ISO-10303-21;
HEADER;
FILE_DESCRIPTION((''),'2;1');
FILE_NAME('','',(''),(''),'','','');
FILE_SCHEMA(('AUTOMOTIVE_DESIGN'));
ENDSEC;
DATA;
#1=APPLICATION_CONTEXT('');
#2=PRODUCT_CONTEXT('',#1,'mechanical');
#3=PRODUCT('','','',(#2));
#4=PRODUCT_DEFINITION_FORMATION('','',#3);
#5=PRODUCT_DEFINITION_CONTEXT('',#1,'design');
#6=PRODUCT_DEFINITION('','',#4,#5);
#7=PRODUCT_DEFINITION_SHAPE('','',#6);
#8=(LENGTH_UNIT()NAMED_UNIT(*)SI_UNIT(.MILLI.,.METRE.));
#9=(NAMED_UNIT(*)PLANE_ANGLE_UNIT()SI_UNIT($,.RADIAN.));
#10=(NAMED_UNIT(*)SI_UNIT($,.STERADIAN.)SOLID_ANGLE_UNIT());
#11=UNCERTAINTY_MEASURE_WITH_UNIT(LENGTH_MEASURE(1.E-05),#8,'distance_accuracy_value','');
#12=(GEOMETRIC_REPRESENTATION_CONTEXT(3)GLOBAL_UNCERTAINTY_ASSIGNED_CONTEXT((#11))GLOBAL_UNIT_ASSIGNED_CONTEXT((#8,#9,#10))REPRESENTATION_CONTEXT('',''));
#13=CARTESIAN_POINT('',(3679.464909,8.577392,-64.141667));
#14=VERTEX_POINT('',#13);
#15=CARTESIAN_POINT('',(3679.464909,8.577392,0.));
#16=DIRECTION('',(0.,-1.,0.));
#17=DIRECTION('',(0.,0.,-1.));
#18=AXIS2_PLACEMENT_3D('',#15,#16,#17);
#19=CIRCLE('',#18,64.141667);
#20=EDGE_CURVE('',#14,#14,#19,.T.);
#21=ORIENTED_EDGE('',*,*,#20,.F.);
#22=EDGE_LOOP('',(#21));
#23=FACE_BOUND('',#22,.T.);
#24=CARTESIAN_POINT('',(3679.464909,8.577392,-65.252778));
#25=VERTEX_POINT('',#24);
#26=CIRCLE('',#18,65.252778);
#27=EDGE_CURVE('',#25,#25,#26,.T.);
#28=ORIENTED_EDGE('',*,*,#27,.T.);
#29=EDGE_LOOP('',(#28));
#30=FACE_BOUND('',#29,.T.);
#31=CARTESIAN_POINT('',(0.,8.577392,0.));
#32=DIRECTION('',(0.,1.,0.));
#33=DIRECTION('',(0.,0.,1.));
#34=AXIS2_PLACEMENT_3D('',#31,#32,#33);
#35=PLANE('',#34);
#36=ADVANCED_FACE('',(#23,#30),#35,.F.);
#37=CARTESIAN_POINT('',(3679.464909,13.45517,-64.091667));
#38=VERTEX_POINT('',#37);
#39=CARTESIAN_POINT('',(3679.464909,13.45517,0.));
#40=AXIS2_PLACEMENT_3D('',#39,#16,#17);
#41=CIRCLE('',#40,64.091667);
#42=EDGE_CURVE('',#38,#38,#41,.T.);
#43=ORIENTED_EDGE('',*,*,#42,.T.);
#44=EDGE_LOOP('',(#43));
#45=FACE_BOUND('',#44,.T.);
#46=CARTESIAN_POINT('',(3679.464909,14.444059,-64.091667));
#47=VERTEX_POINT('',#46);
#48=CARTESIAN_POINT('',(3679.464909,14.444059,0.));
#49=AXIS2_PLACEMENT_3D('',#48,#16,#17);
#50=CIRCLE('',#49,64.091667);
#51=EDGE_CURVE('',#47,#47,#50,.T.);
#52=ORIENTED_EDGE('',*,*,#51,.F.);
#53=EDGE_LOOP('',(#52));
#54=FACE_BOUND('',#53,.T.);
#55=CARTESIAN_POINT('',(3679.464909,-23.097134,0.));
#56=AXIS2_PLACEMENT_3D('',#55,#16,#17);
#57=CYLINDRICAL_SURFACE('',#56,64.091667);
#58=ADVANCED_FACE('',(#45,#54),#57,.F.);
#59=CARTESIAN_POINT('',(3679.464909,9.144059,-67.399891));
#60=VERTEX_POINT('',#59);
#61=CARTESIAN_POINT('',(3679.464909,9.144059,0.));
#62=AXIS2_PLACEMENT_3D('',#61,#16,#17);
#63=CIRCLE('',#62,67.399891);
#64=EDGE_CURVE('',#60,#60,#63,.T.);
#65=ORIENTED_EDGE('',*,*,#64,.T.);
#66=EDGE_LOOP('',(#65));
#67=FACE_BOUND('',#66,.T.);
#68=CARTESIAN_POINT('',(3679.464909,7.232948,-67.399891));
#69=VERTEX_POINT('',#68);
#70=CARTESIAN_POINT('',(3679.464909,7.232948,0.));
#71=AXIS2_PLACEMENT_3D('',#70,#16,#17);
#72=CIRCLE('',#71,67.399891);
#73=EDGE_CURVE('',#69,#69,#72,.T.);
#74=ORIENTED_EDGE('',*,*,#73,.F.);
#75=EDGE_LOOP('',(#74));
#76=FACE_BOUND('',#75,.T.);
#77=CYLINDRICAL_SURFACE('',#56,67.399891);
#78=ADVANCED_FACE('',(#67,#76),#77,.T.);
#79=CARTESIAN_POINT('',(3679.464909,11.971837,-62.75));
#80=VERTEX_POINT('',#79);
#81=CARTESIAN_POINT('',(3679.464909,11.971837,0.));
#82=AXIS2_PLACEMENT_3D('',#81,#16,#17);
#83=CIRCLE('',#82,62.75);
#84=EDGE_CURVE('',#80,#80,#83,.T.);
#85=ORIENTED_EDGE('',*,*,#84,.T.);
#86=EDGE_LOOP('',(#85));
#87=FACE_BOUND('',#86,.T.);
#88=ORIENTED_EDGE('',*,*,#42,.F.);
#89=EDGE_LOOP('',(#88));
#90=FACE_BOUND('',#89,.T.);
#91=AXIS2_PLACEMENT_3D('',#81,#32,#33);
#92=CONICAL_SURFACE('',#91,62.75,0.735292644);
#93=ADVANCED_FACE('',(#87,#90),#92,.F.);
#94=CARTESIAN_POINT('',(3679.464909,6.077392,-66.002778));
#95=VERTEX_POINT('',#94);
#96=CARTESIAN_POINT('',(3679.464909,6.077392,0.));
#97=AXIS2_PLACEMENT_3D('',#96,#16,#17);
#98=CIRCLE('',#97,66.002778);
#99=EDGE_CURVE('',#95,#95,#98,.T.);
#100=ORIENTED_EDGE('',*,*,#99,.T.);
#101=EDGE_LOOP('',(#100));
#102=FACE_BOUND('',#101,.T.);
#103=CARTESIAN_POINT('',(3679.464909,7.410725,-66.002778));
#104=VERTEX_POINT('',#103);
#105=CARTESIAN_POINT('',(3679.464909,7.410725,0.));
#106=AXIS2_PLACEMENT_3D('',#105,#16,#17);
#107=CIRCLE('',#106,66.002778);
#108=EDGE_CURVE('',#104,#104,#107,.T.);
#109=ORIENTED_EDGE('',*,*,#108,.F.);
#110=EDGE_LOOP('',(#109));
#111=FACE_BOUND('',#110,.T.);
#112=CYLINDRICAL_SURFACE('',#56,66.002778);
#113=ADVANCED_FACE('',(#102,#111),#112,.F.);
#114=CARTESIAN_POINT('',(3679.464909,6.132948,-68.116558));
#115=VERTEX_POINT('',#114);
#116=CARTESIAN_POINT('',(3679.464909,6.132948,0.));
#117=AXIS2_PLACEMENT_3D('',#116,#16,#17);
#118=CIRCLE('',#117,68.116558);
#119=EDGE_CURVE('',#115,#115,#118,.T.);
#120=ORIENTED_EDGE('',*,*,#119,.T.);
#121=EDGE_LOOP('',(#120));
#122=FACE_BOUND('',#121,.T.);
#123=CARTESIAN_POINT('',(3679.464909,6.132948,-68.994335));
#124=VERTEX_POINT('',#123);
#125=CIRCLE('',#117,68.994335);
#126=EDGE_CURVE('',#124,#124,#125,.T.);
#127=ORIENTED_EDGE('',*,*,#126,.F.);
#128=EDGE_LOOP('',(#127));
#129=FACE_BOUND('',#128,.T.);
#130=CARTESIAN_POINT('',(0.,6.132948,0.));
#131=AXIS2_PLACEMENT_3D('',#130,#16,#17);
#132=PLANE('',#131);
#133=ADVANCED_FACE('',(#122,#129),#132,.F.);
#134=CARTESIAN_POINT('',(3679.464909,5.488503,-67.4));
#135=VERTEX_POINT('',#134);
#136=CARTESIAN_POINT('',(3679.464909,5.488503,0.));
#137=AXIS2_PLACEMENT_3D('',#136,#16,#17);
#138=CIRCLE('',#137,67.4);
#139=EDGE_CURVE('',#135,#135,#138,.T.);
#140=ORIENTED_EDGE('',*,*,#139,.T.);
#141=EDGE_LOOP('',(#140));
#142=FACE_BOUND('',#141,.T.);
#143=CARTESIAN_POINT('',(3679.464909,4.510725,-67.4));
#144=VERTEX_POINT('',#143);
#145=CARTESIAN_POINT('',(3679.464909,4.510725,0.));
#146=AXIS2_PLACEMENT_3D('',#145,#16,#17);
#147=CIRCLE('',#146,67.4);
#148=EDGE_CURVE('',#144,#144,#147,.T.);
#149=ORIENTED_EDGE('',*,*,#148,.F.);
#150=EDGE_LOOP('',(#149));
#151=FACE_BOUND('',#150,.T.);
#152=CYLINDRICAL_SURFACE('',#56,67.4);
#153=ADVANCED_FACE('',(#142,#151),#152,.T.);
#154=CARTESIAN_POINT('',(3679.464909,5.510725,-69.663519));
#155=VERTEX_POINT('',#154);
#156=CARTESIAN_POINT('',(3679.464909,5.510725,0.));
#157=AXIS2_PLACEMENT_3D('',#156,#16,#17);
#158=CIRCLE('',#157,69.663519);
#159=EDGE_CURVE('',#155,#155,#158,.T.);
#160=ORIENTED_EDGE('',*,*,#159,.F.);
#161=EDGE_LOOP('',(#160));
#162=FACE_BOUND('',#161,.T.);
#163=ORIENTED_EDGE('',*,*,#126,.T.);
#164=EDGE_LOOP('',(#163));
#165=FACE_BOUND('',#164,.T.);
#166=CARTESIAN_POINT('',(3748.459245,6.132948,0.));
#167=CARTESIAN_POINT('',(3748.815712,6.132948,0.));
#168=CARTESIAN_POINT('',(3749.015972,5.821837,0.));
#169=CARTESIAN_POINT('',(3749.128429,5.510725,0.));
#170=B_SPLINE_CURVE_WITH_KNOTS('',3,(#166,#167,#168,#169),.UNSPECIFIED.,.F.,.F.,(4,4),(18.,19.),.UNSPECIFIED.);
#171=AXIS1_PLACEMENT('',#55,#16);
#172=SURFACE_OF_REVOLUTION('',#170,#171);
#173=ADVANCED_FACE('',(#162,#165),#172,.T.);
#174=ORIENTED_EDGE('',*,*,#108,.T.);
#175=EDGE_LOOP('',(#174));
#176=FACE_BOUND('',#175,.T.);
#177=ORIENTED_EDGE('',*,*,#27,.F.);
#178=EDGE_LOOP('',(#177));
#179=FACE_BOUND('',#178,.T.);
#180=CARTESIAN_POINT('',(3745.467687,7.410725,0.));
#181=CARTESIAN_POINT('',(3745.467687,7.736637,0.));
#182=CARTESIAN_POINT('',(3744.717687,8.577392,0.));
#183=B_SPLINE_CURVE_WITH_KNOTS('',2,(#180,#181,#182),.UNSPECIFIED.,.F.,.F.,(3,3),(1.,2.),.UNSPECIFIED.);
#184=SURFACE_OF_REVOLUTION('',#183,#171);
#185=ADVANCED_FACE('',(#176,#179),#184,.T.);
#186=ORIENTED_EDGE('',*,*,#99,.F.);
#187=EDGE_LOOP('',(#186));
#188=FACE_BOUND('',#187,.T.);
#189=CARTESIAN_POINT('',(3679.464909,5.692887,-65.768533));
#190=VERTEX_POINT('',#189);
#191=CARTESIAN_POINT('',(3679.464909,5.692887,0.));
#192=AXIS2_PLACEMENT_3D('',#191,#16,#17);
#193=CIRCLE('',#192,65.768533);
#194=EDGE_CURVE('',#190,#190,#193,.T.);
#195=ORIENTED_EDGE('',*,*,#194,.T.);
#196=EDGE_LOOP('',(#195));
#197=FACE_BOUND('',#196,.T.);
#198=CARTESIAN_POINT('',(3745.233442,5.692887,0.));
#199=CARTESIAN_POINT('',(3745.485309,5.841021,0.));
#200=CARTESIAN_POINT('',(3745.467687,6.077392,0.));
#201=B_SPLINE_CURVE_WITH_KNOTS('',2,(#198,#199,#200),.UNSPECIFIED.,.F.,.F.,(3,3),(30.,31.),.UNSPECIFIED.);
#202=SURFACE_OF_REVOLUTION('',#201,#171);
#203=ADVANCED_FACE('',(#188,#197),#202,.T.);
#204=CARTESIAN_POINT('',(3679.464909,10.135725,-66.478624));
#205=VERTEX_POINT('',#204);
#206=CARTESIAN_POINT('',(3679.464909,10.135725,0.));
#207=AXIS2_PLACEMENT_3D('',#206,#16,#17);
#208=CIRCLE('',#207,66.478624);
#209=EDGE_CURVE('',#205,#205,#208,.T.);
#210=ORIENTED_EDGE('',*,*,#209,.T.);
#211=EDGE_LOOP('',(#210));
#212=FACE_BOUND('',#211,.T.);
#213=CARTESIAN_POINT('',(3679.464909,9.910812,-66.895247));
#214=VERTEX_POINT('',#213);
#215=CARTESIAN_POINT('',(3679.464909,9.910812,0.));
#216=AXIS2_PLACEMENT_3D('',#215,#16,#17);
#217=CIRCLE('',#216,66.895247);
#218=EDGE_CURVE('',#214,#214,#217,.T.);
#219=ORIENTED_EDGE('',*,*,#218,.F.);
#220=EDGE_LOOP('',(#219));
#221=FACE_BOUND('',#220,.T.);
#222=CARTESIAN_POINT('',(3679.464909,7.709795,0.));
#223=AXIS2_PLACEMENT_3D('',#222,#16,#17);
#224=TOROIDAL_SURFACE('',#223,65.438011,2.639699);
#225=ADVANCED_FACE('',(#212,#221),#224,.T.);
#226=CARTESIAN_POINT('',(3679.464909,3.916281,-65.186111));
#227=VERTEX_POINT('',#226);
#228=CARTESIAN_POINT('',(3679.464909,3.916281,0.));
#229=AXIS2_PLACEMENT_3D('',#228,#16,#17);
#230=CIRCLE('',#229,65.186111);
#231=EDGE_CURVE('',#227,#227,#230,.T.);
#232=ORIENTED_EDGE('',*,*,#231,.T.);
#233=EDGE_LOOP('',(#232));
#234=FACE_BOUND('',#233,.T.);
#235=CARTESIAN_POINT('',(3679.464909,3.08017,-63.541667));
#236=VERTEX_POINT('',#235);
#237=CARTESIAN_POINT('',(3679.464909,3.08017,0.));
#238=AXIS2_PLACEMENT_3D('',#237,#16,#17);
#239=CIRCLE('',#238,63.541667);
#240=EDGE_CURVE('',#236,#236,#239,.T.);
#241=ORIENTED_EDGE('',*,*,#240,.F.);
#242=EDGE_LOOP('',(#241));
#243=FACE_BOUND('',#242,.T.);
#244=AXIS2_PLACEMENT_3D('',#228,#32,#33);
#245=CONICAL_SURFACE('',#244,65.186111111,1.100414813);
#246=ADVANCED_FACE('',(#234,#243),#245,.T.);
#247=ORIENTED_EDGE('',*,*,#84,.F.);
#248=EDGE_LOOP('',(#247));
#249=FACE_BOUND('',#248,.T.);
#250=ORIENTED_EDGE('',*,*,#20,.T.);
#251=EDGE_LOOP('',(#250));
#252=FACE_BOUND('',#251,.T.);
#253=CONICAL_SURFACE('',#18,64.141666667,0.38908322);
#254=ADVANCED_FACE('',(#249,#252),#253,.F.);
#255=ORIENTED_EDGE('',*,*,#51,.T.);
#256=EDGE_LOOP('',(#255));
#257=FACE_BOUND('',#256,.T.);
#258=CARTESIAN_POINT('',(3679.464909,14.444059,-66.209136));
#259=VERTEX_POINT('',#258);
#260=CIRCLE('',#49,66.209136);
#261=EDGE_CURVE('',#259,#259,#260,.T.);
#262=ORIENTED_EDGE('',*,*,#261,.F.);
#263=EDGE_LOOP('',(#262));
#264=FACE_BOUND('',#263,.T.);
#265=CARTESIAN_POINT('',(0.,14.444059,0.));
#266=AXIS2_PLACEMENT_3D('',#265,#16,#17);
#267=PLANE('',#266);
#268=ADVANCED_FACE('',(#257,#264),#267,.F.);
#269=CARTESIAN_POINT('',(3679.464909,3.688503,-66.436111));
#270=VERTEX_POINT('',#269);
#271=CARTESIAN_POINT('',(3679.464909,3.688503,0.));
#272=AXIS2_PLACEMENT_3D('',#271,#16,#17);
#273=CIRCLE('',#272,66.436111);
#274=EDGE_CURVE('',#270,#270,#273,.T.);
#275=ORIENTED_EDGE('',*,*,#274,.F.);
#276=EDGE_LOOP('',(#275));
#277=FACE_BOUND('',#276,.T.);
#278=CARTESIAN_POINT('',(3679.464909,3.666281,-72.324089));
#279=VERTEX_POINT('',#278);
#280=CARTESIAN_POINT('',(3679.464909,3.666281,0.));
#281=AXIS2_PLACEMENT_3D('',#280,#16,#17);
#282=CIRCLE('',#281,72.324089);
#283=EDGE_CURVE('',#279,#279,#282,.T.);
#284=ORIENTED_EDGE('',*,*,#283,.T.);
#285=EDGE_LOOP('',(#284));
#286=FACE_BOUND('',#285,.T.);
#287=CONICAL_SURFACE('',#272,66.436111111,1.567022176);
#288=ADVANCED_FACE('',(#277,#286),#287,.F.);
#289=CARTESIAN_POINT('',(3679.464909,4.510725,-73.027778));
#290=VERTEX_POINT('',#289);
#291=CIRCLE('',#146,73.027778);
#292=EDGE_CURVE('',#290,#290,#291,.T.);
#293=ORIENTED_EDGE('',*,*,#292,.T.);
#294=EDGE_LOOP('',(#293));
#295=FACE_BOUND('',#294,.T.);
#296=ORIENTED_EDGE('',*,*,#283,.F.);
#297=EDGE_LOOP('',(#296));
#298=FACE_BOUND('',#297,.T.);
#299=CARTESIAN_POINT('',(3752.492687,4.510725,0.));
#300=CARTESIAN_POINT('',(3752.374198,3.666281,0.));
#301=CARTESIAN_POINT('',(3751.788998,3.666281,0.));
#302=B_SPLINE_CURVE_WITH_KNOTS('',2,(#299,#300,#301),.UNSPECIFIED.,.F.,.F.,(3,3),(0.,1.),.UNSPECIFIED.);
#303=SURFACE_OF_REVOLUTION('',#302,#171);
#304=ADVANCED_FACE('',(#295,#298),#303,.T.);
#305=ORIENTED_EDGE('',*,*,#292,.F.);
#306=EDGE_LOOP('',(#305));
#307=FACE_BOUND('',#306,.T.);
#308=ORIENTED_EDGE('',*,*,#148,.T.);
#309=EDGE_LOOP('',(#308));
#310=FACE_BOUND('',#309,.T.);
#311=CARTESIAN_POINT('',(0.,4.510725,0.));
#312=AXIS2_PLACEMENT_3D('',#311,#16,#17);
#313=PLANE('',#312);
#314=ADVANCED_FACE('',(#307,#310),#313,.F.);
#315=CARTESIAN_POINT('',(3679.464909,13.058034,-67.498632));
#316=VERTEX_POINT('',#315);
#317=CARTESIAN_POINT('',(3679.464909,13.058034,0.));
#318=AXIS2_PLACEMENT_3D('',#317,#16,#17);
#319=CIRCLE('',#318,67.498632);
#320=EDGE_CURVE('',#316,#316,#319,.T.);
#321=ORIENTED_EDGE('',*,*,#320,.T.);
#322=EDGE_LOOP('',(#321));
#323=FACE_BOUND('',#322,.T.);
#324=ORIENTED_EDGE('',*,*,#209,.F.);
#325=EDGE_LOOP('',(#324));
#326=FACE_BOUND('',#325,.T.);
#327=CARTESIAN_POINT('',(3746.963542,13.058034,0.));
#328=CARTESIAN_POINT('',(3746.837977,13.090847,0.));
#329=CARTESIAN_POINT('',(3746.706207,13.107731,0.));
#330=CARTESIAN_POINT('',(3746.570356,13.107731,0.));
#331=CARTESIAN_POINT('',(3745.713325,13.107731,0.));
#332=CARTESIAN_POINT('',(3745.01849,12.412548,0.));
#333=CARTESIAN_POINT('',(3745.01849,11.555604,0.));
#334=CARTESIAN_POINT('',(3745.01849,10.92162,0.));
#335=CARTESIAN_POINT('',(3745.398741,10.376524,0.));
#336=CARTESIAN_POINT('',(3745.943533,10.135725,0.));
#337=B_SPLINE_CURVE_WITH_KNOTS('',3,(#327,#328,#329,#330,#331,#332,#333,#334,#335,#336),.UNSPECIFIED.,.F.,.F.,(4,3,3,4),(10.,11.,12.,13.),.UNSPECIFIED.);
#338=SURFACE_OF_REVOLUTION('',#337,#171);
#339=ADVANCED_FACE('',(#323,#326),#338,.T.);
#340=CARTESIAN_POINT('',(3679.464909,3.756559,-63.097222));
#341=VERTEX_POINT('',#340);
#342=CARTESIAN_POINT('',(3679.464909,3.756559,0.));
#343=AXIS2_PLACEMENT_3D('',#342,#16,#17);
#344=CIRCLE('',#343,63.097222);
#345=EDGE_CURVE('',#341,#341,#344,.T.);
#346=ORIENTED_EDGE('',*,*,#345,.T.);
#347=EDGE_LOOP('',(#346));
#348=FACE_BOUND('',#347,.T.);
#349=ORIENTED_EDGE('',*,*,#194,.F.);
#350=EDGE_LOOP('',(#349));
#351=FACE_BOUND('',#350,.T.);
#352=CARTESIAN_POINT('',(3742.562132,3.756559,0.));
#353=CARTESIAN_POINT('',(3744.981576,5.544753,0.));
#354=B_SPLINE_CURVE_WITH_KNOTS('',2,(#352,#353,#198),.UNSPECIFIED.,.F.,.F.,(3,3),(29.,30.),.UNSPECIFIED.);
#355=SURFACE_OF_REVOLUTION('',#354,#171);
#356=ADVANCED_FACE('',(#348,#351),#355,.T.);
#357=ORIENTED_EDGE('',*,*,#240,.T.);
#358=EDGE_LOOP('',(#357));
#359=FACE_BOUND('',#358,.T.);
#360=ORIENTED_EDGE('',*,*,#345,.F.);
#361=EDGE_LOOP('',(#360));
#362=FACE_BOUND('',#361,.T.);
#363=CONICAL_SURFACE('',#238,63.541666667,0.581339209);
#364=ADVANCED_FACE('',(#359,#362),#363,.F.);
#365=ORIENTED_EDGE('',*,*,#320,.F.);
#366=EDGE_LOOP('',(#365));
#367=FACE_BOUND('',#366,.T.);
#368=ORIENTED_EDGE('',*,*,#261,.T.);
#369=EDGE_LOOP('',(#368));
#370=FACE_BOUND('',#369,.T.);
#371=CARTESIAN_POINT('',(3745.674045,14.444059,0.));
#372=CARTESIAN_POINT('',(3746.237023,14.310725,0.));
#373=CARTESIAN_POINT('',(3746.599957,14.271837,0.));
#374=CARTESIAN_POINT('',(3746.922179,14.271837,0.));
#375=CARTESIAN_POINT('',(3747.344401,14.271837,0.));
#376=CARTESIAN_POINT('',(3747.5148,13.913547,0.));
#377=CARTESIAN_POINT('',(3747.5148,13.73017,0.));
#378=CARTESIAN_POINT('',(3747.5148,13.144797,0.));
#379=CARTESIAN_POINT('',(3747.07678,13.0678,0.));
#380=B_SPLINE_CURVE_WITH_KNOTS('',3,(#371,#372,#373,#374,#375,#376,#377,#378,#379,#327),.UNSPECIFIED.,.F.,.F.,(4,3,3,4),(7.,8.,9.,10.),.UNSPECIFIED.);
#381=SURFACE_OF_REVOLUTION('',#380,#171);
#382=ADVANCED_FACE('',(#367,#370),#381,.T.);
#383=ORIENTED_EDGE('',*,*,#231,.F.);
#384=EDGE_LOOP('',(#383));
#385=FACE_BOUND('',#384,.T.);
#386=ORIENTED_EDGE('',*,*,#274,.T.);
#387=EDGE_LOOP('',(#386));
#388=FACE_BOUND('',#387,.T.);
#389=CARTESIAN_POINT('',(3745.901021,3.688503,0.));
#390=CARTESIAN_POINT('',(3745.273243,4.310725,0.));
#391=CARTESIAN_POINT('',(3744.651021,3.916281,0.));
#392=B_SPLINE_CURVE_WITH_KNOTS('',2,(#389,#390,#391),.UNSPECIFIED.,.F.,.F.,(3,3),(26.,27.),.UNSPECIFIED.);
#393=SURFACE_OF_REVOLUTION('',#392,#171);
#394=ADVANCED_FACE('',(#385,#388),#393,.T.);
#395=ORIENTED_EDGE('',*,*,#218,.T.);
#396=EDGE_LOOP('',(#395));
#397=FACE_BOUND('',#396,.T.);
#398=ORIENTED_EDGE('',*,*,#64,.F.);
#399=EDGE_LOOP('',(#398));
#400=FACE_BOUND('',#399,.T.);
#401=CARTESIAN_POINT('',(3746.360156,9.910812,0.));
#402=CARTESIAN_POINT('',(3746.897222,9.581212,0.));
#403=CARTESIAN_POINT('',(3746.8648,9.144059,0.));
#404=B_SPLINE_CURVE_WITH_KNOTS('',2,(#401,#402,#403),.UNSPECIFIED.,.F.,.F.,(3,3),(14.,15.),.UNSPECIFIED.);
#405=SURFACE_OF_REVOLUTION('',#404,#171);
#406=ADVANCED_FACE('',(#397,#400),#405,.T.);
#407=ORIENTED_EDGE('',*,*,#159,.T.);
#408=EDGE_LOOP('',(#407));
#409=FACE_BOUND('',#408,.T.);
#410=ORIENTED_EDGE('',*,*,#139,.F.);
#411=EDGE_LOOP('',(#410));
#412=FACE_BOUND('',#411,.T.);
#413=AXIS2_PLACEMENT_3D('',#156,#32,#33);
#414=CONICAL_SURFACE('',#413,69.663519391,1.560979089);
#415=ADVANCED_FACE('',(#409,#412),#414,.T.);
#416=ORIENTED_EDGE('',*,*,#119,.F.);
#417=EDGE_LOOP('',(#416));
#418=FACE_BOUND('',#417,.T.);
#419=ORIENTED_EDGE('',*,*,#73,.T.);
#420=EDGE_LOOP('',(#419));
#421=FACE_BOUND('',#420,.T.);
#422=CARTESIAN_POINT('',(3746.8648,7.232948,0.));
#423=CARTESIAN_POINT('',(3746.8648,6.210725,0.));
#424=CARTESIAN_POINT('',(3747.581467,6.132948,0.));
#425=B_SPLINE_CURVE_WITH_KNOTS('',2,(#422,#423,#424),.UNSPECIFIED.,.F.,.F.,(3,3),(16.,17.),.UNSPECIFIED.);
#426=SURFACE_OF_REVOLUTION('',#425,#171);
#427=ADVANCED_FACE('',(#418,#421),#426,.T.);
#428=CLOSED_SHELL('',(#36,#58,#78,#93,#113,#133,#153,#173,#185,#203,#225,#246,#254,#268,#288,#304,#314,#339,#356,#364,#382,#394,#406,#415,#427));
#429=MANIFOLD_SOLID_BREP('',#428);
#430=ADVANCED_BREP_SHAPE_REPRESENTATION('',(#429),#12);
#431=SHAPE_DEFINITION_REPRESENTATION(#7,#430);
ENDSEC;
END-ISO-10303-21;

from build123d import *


with BuildPart() as part:
    # Model → Revolu_o7 (revolve)
    with BuildSketch(Plane.XY, mode=Mode.PRIVATE) as revolu_o7_sk:
        with BuildLine():
            add(Edge.make_bspline(
                [(3752.492687234, 4.510725468), (3752.374197651, 3.666281023), (3751.788997998, 3.666281023)],
                knots=[0, 0, 0, 1, 1, 1], degree=2))
            Line((3751.788997998, 3.666281023), (3745.901020568, 3.688503246))
            add(Edge.make_bspline(
                [(3745.901020568, 3.688503246), (3745.27324279, 4.310725468), (3744.651020568, 3.916281023)],
                knots=[26, 26, 26, 27, 27, 27], degree=2))
            Line((3744.651020568, 3.916281023), (3743.006576123, 3.080169912))
            Line((3743.006576123, 3.080169912), (3742.562131679, 3.756558801))
            add(Edge.make_bspline(
                [(3742.562131679, 3.756558801), (3744.981576123, 5.544753246), (3745.233442443, 5.692886926)],
                knots=[29, 29, 29, 30, 30, 30], degree=2))
            add(Edge.make_bspline(
                [(3745.233442443, 5.692886926), (3745.485308762, 5.841020607), (3745.467687234, 6.077392134)],
                knots=[30, 30, 30, 31, 31, 31], degree=2))
            add(Edge.make_bspline(
                [(3745.467687234, 6.077392134), (3745.467687234, 7.084814009), (3745.467687234, 7.410725468)],
                knots=[0, 0, 0, 1, 1, 1], degree=2))
            add(Edge.make_bspline(
                [(3745.467687234, 7.410725468), (3745.467687234, 7.736636926), (3744.717687234, 8.577392134)],
                knots=[1, 1, 1, 2, 2, 2], degree=2))
            Line((3744.717687234, 8.577392134), (3743.606576123, 8.577392134))
            Line((3743.606576123, 8.577392134), (3742.214909456, 11.971836579))
            Line((3742.214909456, 11.971836579), (3743.556576123, 13.455169912))
            Line((3743.556576123, 13.455169912), (3743.556576123, 14.444058801))
            Line((3743.556576123, 14.444058801), (3745.674045167, 14.444058801))
            add(Edge.make_bspline(
                [(3745.674045167, 14.444058801), (3746.237022597, 14.310725468), (3746.599956625, 14.271836579), (3746.922178847, 14.271836579), (3747.34440107, 14.271836579), (3747.514800375, 13.913546648), (3747.514800375, 13.730169912), (3747.514800375, 13.144796648), (3747.076779542, 13.067800121), (3746.963541695, 13.058034496)],
                knots=[7, 7, 7, 7, 8, 8, 8, 9, 9, 9, 10, 10, 10, 10], degree=3))
            add(Edge.make_bspline(
                [(3746.963541695, 13.058034496), (3746.837977459, 13.090846996), (3746.706206625, 13.107730676), (3746.570355931, 13.107730676), (3745.713324681, 13.107730676), (3745.018489611, 12.412548384), (3745.018489611, 11.55560394), (3745.018489611, 10.921619565), (3745.398741347, 10.376524079), (3745.943533014, 10.135725468)],
                knots=[10, 10, 10, 10, 11, 11, 11, 12, 12, 12, 13, 13, 13, 13], degree=3))
            ThreePointArc((3745.943533014, 10.135725468), (3746.156897379, 10.032628419), (3746.360156278, 9.910812273))
            add(Edge.make_bspline(
                [(3746.360156278, 9.910812273), (3746.89722225, 9.581211579), (3746.864800375, 9.144058801)],
                knots=[14, 14, 14, 15, 15, 15], degree=2))
            add(Edge.make_bspline(
                [(3746.864800375, 9.144058801), (3746.864800375, 8.255169912), (3746.864800375, 7.23294769)],
                knots=[15, 15, 15, 16, 16, 16], degree=2))
            add(Edge.make_bspline(
                [(3746.864800375, 7.23294769), (3746.864800375, 6.210725468), (3747.581467042, 6.13294769)],
                knots=[16, 16, 16, 17, 17, 17], degree=2))
            add(Edge.make_bspline(
                [(3747.581467042, 6.13294769), (3747.592578153, 6.13294769), (3748.45924482, 6.13294769)],
                knots=[17, 17, 17, 18, 18, 18], degree=2))
            add(Edge.make_bspline(
                [(3748.45924482, 6.13294769), (3748.815711834, 6.13294769), (3749.01597225, 5.821836579), (3749.128428847, 5.510725468)],
                knots=[18, 18, 18, 18, 19, 19, 19, 19], degree=3))
            add(Edge.make_bspline(
                [(3749.128428847, 5.510725468), (3747.860694802, 5.498279421), (3746.864909456, 5.488503246)],
                knots=[19, 19, 19, 20, 20, 20], degree=2))
            Line((3746.864909456, 5.488503246), (3746.864909456, 4.510725468))
            add(Edge.make_bspline(
                [(3746.864909456, 4.510725468), (3747.94277404, 4.510725468), (3752.492687234, 4.510725468)],
                knots=[21, 21, 21, 22, 22, 22], degree=2))
        make_face()
    revolve(revolu_o7_sk.sketch.rotate(Axis((3679.464909456, -23.097134083, 0), (0, 1, 0)), 90), axis=Axis((3679.464909456, -23.097134083, 0), (0, 1, 0)))


solid = part.part
